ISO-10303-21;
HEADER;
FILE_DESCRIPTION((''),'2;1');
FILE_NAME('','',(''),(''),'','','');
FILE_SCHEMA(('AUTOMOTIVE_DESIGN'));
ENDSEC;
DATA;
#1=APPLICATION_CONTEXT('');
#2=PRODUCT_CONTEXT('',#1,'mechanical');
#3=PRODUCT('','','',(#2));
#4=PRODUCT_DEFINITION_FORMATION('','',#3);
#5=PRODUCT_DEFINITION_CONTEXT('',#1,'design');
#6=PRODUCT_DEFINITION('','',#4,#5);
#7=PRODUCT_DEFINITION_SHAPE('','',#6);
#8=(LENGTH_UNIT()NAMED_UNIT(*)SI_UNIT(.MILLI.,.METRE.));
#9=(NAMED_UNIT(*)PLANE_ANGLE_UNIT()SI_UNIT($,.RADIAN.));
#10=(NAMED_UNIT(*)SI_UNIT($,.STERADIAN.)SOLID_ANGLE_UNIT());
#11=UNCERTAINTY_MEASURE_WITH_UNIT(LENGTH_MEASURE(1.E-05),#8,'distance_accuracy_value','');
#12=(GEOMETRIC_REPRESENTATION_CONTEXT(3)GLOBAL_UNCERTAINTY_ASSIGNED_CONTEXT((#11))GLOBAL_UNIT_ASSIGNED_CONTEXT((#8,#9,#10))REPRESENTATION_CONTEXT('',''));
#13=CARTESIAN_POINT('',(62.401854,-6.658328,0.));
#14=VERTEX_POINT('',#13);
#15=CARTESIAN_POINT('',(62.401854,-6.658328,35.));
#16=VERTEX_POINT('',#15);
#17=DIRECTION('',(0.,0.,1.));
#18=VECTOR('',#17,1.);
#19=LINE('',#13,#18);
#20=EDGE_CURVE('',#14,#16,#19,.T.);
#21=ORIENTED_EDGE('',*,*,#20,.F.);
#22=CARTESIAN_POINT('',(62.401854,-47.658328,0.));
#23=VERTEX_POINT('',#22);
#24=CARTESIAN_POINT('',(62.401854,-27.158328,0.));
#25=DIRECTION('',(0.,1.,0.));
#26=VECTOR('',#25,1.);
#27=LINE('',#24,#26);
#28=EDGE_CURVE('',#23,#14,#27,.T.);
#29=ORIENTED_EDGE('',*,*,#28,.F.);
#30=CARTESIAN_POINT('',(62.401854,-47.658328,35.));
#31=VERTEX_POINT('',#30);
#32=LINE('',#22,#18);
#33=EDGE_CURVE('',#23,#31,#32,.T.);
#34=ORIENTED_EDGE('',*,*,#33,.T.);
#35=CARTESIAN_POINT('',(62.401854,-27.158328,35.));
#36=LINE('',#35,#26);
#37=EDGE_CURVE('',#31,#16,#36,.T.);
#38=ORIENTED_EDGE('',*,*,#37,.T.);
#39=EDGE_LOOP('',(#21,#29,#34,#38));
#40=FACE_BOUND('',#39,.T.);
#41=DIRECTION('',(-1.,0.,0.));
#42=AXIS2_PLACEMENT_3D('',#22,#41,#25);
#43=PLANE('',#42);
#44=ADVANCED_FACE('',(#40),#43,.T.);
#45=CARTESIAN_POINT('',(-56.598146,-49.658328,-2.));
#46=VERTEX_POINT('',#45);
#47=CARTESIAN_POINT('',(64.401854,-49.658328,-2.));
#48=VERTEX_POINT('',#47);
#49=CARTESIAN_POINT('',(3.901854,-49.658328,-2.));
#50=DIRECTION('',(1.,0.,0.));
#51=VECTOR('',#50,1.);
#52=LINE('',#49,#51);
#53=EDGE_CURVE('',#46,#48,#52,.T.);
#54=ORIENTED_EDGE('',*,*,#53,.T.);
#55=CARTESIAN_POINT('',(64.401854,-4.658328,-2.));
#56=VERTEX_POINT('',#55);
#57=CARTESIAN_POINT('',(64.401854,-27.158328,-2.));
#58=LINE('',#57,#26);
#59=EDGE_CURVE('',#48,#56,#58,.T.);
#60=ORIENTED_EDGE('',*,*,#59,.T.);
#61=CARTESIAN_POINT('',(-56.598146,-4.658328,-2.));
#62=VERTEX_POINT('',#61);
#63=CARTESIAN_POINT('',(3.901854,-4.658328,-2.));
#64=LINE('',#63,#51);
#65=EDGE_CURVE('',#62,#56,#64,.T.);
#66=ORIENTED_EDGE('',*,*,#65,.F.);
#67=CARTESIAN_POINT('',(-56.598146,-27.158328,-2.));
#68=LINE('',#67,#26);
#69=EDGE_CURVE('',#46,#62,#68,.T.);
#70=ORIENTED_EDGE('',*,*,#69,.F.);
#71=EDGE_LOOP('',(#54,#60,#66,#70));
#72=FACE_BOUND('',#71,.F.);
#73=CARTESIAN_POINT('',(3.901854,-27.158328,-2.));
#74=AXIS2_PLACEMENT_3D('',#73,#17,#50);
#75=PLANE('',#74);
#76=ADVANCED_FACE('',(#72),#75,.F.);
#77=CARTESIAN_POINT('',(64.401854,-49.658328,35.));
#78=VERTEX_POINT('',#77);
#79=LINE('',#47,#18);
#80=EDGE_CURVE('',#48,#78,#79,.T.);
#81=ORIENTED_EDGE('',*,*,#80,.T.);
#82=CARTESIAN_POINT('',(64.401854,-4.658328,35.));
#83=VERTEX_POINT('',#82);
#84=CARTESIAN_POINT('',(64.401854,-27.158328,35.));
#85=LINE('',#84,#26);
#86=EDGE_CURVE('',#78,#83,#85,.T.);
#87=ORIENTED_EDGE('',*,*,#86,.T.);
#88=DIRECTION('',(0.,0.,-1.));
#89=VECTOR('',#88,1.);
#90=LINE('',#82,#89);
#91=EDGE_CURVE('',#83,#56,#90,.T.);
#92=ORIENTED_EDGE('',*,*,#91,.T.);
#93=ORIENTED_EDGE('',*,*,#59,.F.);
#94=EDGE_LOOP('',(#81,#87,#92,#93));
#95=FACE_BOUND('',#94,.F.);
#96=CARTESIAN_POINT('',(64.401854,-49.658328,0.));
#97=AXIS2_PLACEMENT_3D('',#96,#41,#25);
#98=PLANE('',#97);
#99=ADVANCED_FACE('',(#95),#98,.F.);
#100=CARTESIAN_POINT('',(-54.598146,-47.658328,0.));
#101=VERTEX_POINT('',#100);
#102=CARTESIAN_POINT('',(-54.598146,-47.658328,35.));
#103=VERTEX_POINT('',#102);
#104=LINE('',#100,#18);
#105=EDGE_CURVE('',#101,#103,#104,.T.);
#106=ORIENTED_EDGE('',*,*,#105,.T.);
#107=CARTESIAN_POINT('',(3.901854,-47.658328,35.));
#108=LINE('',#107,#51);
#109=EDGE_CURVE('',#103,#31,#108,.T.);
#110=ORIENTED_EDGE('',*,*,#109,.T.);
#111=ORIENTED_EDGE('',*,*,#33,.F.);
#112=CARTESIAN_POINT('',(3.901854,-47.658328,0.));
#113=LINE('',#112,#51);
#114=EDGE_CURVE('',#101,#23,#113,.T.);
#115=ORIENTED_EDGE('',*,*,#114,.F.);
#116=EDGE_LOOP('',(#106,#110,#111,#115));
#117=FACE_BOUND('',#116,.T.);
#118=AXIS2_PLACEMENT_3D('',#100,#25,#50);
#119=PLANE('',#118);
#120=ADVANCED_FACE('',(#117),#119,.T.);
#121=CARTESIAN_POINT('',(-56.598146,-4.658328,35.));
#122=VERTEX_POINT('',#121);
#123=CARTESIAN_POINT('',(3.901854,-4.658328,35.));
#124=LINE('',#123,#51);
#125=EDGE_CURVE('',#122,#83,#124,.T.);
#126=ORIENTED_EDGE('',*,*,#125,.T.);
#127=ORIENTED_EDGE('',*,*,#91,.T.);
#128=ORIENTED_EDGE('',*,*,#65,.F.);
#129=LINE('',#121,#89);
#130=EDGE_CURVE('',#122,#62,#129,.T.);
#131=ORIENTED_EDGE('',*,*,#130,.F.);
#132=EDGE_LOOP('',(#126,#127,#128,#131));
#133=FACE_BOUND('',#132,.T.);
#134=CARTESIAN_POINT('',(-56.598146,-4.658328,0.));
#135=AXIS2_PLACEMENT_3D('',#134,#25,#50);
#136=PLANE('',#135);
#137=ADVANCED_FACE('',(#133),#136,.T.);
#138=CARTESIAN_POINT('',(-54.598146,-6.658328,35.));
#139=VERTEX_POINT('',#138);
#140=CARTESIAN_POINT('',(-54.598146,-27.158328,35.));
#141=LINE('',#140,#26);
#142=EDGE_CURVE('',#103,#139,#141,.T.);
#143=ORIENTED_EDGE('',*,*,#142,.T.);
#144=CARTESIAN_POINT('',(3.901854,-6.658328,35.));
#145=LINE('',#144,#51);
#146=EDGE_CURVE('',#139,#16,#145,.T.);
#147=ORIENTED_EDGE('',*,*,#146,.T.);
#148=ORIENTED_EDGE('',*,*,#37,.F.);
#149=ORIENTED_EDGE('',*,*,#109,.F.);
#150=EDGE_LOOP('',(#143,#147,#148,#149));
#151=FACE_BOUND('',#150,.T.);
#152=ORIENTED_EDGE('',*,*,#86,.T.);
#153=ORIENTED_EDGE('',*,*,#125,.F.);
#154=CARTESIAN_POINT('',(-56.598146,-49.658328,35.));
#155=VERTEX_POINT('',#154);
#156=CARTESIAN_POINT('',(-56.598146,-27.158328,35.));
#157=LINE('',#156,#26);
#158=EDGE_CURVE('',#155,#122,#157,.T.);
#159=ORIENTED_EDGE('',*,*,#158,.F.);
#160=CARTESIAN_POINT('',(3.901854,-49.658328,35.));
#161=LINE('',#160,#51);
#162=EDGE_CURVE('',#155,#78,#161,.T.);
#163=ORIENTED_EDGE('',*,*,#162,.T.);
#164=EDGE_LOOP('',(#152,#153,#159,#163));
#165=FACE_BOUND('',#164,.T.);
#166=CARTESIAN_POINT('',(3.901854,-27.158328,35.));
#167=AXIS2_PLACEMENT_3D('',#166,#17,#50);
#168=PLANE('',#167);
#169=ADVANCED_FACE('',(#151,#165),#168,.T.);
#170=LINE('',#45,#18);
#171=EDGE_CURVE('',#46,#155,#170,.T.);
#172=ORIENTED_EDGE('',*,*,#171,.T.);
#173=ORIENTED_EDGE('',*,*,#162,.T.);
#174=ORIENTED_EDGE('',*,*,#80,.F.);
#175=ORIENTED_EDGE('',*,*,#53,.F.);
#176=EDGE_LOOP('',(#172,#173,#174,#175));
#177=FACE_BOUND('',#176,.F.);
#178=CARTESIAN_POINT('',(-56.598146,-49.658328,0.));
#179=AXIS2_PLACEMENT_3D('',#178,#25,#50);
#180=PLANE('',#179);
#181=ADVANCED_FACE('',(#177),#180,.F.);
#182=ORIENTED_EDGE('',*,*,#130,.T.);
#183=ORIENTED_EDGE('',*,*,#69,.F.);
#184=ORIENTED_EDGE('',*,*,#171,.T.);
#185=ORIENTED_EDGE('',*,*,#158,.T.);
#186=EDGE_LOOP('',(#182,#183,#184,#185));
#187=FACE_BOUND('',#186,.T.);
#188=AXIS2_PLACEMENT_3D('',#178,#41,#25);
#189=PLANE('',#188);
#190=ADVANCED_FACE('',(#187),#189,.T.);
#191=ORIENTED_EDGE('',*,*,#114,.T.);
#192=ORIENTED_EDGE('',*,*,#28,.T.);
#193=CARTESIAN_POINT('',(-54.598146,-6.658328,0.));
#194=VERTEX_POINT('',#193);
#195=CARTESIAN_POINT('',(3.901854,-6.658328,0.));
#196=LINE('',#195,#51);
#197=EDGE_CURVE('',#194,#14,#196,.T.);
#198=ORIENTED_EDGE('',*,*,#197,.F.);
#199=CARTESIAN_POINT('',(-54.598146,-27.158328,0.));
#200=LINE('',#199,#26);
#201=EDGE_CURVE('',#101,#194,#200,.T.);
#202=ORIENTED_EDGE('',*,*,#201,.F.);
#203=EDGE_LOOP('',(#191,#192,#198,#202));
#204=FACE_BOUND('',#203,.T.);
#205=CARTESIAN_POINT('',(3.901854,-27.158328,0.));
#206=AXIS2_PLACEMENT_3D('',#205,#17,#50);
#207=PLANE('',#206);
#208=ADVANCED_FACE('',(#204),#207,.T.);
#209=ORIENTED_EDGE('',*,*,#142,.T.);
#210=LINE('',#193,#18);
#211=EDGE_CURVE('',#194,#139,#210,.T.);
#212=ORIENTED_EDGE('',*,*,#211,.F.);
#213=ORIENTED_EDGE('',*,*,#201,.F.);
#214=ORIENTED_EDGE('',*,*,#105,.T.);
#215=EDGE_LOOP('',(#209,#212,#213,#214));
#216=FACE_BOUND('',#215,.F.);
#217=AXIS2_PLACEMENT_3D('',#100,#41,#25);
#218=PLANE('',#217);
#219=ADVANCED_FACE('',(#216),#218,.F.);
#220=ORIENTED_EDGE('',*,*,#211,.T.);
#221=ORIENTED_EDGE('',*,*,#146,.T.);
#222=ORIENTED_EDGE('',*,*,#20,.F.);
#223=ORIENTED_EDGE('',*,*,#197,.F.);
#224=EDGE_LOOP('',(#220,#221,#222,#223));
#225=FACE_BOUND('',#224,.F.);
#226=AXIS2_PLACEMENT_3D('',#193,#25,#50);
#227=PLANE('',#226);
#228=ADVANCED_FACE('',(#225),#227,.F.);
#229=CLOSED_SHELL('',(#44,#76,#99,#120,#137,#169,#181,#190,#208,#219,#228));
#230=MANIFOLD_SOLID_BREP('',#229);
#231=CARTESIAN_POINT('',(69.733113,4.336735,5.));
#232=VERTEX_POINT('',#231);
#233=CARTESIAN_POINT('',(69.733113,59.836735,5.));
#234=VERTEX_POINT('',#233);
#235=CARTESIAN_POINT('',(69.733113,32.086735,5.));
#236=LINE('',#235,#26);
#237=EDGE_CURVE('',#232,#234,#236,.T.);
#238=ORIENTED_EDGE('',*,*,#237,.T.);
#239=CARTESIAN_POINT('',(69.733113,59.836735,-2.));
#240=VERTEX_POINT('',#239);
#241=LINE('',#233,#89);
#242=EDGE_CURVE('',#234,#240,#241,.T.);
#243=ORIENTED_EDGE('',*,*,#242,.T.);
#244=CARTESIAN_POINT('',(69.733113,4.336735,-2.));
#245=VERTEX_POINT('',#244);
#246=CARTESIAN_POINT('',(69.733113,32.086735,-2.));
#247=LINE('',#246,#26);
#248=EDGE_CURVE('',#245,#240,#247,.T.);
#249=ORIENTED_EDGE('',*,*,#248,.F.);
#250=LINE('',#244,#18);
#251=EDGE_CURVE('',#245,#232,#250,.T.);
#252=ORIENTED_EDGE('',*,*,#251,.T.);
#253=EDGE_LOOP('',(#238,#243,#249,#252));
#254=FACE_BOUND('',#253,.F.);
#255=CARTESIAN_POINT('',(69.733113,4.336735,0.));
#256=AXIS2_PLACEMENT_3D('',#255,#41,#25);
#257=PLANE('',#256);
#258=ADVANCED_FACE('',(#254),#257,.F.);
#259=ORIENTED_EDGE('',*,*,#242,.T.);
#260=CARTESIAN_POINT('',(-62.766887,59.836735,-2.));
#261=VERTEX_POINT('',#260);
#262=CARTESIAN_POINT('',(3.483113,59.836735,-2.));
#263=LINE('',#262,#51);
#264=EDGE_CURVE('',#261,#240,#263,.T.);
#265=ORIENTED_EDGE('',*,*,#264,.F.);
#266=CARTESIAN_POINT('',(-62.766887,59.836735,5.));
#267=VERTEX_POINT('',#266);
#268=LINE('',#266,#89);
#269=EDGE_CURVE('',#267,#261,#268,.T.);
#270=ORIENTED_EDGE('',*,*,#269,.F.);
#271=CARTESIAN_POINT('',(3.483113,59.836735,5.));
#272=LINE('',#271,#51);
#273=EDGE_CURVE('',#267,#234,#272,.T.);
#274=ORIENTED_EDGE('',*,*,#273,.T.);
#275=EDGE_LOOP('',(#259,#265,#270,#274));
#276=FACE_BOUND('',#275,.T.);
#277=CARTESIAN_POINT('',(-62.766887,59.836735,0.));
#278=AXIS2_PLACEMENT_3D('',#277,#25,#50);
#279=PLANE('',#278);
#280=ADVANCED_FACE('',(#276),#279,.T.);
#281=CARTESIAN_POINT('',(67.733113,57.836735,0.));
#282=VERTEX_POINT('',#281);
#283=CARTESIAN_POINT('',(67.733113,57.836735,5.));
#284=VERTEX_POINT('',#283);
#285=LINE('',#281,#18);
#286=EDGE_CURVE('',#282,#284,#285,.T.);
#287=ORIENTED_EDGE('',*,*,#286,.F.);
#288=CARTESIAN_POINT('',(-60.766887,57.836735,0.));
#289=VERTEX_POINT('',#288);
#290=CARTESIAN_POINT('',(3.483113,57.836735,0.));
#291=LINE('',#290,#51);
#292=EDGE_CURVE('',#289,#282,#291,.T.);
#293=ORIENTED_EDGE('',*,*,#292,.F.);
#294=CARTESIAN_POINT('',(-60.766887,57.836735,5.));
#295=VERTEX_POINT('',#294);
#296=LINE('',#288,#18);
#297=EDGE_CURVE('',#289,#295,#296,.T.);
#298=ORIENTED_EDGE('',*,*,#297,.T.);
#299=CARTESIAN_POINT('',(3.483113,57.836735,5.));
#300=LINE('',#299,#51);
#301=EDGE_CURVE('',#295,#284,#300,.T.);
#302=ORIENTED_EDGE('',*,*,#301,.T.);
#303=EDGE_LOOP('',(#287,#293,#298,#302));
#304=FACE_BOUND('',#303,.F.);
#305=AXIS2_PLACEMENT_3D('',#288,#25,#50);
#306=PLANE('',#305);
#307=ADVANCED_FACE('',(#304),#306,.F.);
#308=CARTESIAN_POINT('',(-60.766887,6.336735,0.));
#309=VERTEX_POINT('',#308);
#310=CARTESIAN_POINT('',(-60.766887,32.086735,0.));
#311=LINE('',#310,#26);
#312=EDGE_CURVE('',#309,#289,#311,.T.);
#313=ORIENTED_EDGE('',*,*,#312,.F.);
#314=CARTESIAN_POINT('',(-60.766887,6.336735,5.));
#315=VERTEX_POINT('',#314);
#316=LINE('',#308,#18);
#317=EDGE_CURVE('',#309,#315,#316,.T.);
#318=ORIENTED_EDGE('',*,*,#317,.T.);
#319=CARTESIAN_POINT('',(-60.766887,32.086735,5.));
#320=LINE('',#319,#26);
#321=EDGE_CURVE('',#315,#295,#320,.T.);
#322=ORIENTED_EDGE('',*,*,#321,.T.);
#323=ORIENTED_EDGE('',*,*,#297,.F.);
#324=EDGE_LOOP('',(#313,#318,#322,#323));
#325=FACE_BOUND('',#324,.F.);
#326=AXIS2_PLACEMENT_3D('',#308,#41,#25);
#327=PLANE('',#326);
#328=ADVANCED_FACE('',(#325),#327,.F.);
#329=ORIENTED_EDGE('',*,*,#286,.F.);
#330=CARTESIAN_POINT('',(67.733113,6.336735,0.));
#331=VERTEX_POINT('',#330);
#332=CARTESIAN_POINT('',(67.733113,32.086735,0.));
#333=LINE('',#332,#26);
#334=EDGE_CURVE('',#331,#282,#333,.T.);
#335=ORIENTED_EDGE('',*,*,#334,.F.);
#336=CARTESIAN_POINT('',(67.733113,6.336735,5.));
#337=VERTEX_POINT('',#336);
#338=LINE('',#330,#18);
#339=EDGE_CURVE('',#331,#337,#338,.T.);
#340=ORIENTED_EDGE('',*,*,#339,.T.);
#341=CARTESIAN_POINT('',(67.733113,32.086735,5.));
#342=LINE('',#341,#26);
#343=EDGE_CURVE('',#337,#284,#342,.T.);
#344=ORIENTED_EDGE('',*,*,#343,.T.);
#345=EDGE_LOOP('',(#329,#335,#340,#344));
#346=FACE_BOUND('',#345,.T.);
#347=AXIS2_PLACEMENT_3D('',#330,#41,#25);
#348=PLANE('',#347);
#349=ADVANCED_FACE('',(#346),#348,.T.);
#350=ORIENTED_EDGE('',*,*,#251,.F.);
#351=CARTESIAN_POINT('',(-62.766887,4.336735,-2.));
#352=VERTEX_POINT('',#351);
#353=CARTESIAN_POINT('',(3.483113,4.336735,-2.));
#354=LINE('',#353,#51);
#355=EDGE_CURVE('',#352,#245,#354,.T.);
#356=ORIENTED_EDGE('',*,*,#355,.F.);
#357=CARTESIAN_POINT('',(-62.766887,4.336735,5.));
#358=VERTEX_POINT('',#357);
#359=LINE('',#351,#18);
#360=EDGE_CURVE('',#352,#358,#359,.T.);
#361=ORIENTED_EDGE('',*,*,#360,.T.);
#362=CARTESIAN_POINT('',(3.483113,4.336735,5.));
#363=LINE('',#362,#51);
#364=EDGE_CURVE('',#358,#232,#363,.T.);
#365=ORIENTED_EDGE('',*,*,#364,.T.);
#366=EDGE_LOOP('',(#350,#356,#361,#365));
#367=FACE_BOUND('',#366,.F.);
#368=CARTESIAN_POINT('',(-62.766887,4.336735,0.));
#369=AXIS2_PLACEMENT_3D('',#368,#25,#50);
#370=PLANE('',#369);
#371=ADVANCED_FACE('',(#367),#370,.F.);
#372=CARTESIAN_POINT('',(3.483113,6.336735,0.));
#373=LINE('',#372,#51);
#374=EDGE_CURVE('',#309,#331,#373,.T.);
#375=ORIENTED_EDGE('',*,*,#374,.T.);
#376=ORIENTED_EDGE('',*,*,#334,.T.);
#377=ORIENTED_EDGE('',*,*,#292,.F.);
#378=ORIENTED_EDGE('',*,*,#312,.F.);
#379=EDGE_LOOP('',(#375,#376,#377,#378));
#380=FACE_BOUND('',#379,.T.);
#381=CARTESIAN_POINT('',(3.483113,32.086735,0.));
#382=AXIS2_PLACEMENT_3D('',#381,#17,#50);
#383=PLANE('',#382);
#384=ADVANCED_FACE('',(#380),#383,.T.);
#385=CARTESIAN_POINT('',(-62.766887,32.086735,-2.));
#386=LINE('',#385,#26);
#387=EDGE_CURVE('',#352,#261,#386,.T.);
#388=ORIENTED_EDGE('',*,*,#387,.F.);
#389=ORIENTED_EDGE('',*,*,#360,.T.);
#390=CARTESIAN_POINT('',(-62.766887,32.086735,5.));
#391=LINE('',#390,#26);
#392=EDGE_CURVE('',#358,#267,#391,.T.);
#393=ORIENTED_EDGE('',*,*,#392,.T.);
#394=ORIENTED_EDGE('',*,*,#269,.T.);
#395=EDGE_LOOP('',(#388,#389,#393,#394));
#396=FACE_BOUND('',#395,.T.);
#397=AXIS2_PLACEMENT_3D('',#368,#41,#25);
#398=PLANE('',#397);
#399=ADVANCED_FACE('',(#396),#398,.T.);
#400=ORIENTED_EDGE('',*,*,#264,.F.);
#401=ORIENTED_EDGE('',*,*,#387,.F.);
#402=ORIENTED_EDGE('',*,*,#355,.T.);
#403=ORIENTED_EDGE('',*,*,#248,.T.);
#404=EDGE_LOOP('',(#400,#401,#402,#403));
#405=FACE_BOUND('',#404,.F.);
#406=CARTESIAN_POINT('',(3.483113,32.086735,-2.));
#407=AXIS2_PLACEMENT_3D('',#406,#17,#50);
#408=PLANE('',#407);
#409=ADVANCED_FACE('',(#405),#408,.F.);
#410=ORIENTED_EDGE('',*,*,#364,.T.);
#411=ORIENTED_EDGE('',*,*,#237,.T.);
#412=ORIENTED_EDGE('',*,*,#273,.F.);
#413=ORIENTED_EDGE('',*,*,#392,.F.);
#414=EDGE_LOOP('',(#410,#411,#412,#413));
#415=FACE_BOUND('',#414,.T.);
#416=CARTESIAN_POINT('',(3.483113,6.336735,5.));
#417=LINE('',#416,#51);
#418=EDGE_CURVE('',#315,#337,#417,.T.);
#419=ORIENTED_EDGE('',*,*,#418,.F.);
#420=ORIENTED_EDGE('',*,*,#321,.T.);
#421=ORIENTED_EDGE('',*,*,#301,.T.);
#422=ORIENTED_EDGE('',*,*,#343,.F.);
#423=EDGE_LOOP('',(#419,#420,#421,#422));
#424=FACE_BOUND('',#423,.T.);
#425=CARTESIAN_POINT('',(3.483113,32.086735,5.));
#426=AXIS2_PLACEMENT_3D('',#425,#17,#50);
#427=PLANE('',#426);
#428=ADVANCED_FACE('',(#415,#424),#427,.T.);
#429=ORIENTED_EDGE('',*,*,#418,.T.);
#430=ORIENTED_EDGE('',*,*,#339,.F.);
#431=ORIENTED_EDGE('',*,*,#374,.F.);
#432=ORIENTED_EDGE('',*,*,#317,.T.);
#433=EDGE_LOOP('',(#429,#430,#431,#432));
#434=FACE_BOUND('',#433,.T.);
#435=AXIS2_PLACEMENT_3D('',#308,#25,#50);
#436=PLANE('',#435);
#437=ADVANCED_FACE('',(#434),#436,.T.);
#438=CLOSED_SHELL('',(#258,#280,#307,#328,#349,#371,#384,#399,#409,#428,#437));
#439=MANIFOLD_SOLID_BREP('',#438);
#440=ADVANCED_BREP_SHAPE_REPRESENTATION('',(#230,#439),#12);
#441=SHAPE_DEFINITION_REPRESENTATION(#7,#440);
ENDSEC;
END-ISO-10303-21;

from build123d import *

# Parameters (mm, degrees)
F0_W     = 132.5
F0_H     = 55.5
F0_W_2   = 128.5
F0_H_2   = 51.5
F0_W_3   = 121
F0_H_3   = 45
F0_W_4   = 117
F0_H_4   = 41
F1_DEPTH = 2
F2_DEPTH = 5
F3_DEPTH = 35


with BuildPart() as f1:
    # F0 (on Top) → F1 (new body)
    with BuildSketch(Plane.XY):
        with Locations((3.483113, 32.086735)):
            Rectangle(F0_W, F0_H)
        with Locations((3.483113, 32.086735)):
            Rectangle(F0_W_2, F0_H_2, mode=Mode.SUBTRACT)
        with Locations((3.483113, 32.086735)):
            Rectangle(F0_W_2, F0_H_2)
        with Locations((3.901854, -27.158328)):
            Rectangle(F0_W_3, F0_H_3)
        with Locations((3.901854, -27.158328)):
            Rectangle(F0_W_4, F0_H_4, mode=Mode.SUBTRACT)
        with Locations((3.901854, -27.158328)):
            Rectangle(F0_W_4, F0_H_4)
    extrude(amount=-F1_DEPTH)

    # F0 (on Top) → F2 (join)
    with BuildSketch(Plane.XY):
        with Locations((3.483113, 32.086735)):
            Rectangle(F0_W, F0_H)
        with Locations((3.483113, 32.086735)):
            Rectangle(F0_W_2, F0_H_2, mode=Mode.SUBTRACT)
    extrude(amount=F2_DEPTH)

    # F0 (on Top) → F3 (join)
    with BuildSketch(Plane.XY):
        with Locations((3.901854, -27.158328)):
            Rectangle(F0_W_3, F0_H_3)
        with Locations((3.901854, -27.158328)):
            Rectangle(F0_W_4, F0_H_4, mode=Mode.SUBTRACT)
    extrude(amount=F3_DEPTH)


solid = f1.part
